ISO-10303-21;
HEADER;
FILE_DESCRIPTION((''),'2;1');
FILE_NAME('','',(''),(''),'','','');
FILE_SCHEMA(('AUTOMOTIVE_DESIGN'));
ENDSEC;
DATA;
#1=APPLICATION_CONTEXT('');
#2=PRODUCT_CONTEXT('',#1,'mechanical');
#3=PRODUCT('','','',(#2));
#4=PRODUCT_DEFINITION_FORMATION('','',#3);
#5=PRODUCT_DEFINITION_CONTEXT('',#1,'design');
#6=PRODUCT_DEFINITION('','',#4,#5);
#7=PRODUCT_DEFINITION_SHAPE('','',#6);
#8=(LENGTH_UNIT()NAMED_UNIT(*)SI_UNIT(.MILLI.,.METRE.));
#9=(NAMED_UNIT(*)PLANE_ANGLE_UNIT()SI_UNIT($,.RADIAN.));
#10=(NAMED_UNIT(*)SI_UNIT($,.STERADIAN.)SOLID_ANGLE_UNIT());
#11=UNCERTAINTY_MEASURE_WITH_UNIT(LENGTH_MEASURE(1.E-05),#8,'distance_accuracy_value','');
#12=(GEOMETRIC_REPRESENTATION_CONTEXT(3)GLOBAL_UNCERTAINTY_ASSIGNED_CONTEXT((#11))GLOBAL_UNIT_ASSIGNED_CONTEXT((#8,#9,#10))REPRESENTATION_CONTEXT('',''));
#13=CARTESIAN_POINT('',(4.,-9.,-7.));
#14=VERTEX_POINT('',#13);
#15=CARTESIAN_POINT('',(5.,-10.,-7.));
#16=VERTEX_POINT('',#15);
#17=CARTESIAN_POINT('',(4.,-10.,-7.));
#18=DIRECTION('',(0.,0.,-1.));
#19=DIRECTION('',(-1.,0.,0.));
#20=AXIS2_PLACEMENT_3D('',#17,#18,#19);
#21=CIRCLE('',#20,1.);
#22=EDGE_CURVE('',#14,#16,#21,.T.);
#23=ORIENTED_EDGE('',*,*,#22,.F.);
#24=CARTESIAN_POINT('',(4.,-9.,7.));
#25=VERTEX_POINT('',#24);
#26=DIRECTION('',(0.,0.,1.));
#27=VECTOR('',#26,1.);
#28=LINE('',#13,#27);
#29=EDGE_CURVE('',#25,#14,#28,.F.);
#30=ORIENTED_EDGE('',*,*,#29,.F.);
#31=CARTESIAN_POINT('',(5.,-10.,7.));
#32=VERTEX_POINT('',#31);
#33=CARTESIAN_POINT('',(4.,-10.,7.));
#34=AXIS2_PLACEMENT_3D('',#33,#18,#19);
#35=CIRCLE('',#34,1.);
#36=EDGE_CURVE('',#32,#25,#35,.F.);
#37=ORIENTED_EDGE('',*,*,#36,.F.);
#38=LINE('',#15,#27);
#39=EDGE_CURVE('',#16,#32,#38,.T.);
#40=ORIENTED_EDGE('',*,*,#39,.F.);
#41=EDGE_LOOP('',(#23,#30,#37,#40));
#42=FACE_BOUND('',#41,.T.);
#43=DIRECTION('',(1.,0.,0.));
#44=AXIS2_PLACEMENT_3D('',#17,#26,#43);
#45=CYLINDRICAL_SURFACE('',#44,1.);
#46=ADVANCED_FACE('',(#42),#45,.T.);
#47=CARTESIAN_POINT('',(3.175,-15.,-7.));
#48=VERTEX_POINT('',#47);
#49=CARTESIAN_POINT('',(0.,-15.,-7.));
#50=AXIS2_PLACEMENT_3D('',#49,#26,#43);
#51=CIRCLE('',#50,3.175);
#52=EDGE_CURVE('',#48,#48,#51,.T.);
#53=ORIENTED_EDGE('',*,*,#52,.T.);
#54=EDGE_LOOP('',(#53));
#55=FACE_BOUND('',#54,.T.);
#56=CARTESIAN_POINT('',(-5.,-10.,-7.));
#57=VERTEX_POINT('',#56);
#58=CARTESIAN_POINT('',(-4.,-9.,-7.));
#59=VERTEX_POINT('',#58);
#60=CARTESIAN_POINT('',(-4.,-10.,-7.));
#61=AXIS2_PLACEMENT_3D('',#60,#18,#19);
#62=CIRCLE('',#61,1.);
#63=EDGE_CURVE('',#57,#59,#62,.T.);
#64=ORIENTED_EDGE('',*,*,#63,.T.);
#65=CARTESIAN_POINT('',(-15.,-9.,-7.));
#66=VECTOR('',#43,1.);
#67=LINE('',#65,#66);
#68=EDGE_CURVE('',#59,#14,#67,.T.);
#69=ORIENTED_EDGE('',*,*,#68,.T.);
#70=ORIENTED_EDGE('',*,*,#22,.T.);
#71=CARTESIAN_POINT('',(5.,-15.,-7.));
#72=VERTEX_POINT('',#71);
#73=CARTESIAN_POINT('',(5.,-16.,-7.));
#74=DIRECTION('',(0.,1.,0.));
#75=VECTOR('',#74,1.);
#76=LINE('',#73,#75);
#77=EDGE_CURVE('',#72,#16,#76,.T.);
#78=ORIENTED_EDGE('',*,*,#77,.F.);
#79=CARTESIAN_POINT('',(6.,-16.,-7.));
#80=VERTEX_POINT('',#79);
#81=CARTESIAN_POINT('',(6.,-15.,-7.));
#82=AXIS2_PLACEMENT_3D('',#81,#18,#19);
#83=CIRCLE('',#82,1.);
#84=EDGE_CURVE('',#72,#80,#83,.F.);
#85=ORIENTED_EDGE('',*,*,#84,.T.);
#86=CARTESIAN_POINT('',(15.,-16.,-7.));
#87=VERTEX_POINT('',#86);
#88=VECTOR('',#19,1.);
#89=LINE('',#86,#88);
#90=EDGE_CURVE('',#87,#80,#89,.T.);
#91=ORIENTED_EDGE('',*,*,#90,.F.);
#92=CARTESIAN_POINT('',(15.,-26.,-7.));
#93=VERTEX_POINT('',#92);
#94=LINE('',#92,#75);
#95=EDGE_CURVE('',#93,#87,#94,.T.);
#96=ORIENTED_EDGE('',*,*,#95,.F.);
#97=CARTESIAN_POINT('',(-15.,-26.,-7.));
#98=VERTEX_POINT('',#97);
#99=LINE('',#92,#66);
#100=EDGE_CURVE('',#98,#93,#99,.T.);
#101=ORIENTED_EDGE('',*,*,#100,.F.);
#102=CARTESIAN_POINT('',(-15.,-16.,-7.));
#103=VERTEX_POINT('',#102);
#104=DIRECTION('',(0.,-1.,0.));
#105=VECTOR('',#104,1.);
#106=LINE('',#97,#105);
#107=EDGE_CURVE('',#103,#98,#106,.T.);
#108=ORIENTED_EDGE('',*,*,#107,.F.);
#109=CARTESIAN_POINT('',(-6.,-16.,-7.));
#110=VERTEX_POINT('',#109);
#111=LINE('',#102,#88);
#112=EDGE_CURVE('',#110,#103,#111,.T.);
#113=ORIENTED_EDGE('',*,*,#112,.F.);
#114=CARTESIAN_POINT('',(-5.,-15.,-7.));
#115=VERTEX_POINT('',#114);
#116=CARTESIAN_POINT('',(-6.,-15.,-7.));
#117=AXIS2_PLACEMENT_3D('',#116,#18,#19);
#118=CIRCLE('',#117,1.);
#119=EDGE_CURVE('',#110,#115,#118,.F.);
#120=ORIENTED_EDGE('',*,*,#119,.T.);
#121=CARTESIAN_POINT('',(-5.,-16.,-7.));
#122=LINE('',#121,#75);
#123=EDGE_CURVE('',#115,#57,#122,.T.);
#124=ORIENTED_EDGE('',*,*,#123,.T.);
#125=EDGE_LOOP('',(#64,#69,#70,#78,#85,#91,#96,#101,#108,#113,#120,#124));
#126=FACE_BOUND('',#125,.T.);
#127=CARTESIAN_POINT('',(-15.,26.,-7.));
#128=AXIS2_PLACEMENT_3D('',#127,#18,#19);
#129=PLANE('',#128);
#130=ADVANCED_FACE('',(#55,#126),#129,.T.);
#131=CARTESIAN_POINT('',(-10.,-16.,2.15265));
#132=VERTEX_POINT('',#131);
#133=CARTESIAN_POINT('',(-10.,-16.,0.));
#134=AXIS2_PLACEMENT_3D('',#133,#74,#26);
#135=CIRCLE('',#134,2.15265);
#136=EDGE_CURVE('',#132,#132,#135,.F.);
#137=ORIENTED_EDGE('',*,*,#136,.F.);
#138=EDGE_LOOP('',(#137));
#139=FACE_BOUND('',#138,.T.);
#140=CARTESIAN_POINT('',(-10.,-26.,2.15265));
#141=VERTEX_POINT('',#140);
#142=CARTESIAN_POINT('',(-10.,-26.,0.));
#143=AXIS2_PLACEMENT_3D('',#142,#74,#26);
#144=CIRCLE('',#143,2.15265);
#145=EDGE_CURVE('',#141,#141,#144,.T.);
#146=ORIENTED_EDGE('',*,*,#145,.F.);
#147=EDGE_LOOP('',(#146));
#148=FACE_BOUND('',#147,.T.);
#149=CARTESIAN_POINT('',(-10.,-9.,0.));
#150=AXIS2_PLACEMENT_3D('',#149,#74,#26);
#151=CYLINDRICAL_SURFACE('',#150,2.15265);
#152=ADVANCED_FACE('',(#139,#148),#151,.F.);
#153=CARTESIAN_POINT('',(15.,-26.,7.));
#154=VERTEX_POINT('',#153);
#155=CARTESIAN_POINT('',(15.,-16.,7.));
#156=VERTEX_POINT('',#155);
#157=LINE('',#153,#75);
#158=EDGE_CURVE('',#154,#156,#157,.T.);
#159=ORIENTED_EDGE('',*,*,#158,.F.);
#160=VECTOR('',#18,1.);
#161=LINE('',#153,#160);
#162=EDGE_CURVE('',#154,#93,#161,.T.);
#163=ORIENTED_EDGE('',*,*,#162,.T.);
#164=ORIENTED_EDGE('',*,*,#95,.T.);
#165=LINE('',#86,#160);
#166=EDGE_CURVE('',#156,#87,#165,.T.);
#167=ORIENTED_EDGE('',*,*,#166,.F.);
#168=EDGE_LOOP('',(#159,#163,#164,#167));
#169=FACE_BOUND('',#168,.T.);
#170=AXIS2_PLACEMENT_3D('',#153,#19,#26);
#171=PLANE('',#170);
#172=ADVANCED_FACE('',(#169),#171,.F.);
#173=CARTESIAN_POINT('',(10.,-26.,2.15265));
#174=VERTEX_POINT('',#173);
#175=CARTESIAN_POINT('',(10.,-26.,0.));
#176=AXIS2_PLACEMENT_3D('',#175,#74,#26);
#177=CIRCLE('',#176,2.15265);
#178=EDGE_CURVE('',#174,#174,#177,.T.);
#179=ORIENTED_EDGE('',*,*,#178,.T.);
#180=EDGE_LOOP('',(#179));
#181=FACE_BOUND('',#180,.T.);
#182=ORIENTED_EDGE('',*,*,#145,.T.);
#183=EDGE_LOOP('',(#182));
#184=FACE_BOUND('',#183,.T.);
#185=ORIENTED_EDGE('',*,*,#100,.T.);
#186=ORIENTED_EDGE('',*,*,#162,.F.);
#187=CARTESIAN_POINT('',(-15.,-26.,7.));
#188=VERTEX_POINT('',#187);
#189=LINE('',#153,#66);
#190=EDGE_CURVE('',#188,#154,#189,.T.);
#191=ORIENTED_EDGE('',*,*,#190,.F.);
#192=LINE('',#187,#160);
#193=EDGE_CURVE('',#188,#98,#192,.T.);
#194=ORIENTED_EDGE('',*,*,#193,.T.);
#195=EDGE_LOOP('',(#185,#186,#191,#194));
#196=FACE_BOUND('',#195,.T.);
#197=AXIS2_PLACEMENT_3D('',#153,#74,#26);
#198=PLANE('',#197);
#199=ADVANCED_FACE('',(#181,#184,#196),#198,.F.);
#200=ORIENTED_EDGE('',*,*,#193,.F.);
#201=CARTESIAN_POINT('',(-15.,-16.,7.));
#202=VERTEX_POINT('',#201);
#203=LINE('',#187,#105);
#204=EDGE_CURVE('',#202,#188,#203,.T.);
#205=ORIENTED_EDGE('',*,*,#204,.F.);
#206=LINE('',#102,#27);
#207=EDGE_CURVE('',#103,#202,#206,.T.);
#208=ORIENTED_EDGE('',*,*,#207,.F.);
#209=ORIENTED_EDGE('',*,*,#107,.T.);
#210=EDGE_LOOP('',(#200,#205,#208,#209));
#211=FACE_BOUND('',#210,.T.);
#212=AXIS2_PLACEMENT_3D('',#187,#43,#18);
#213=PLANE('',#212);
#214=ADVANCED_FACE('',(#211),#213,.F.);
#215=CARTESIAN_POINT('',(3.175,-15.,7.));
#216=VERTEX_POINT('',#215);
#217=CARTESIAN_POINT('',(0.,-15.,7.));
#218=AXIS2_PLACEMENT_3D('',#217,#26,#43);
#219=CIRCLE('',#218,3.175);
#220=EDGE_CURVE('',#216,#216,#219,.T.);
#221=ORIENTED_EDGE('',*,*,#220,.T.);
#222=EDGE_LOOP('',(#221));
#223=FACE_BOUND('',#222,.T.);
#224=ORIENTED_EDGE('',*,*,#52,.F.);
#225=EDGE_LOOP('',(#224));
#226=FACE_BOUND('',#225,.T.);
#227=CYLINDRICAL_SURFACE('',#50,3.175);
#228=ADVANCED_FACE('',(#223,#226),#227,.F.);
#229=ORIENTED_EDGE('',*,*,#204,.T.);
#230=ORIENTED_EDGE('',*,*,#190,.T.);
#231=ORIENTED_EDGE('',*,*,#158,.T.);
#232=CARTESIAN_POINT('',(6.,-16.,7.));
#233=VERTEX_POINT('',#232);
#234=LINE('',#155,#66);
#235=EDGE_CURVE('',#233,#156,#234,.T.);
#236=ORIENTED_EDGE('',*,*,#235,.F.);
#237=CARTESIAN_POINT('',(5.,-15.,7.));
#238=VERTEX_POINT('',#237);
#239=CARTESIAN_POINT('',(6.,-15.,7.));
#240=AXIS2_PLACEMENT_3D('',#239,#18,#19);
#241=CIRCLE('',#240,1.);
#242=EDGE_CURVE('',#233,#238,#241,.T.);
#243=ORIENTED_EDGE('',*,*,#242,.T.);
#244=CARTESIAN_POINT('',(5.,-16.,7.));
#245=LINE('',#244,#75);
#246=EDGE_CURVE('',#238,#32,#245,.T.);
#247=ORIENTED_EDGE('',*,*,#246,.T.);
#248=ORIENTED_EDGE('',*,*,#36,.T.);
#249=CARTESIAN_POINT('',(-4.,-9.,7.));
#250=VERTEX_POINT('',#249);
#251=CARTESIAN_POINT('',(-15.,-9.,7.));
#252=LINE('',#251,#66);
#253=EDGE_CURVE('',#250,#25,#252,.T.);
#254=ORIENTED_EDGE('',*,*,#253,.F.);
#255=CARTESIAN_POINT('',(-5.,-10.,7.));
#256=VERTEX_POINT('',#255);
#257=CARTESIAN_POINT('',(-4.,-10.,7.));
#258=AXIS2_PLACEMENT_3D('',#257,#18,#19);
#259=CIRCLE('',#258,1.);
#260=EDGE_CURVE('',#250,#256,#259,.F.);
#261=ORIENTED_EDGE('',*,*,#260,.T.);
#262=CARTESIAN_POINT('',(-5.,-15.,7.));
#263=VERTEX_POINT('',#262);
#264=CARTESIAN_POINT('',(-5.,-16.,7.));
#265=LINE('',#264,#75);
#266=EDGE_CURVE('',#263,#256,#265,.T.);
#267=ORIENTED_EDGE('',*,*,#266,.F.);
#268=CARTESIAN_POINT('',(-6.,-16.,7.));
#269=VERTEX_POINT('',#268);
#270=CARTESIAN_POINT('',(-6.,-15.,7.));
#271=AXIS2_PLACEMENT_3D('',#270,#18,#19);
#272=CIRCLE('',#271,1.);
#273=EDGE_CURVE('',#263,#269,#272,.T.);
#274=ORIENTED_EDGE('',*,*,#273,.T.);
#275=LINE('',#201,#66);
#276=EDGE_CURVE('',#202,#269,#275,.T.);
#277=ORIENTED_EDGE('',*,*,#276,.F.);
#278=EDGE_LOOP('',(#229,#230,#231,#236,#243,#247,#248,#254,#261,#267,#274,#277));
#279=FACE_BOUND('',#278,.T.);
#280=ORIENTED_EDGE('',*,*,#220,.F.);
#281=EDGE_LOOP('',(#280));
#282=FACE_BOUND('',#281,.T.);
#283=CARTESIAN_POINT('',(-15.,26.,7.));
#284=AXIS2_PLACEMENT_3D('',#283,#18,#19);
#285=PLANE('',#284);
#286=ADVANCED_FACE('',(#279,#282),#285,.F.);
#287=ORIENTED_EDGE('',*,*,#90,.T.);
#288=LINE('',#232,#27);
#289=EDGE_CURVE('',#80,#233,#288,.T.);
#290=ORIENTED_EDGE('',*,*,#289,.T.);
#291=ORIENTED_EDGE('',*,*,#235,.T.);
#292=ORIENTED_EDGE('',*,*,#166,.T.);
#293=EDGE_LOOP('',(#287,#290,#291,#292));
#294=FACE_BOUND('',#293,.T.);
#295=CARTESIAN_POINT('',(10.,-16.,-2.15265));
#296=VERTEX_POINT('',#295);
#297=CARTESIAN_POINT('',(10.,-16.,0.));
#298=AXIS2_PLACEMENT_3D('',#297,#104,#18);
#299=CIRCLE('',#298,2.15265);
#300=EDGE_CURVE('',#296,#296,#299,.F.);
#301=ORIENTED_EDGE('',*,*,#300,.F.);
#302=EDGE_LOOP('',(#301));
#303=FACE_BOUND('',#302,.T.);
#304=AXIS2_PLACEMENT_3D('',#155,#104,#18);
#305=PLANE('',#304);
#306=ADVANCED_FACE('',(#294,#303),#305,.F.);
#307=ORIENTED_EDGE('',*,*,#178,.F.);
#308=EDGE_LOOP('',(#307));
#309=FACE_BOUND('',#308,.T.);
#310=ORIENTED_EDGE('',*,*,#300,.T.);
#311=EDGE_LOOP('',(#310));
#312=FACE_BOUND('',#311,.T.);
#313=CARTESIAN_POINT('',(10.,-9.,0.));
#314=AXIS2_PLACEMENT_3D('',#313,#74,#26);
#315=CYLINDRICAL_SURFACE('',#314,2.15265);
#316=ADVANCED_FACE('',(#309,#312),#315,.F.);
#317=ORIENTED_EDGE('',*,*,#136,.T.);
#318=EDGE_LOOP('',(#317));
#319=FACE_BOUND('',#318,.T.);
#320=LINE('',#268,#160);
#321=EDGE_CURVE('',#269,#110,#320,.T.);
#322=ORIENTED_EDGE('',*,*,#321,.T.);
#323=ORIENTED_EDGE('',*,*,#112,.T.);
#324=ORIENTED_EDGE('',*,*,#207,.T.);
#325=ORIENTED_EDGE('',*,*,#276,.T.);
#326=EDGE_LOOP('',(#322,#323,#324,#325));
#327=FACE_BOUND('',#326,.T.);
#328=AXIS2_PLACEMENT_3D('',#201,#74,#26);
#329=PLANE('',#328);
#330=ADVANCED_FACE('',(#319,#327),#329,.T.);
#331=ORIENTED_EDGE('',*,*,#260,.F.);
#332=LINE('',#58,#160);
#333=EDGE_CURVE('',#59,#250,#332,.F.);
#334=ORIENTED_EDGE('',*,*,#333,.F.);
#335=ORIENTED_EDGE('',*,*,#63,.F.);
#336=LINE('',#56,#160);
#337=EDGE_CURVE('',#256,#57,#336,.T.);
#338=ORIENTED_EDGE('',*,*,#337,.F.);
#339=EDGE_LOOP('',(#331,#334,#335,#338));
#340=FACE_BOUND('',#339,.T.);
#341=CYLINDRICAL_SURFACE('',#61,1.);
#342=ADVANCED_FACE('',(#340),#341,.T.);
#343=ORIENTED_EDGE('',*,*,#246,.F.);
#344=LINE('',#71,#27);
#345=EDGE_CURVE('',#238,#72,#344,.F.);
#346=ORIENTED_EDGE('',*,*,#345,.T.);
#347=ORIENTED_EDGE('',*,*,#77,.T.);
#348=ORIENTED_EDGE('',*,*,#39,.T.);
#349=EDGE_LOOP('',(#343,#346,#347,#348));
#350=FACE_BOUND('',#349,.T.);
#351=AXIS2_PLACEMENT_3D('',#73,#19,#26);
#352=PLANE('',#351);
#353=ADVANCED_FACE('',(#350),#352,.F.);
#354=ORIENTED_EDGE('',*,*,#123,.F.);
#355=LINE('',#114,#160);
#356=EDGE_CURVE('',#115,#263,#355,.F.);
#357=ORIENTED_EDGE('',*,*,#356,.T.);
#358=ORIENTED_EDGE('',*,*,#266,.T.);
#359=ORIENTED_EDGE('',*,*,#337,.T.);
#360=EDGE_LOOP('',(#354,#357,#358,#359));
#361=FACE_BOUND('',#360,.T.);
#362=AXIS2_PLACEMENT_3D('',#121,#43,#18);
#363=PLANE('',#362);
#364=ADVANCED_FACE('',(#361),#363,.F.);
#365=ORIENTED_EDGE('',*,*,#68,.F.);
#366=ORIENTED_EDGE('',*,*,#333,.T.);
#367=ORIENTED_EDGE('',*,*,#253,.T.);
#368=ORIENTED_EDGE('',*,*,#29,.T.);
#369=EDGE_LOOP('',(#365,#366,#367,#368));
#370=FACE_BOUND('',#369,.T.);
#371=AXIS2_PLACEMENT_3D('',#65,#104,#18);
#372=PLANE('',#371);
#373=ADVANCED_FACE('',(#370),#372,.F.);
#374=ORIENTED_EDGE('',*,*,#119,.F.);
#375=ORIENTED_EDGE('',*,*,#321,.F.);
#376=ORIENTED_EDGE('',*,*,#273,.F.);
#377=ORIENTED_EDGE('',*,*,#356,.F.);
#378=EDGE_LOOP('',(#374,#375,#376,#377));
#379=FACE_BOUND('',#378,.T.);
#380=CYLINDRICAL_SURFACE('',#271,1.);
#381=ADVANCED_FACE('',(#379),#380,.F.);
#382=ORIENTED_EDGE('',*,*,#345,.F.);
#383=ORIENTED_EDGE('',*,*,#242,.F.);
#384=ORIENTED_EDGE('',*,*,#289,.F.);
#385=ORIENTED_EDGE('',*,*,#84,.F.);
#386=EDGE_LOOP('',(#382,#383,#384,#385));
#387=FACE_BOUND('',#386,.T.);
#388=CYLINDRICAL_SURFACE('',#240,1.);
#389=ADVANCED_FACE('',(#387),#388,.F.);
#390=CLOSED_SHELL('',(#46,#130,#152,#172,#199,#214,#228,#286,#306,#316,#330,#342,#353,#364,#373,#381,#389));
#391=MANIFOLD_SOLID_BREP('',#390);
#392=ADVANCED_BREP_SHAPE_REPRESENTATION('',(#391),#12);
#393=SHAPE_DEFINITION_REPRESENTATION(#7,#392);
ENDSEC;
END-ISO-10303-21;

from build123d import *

# Parameters (mm, degrees)
SKETCH1_W             = 30
SKETCH1_H             = 52
BASE_EXTRUDE_DEPTH    = 7
SKETCH2_W             = 30
SKETCH2_H             = 35
CUT_EXTRUDE1_DEPTH    = 15
SKETCH3_R             = 3.175
CUT_EXTRUDE2_DEPTH    = 15
F_8_CLEARANCE_HOLE1_D = 4.3053
SKETCH6_W             = 10
SKETCH6_H             = 14
CUT_EXTRUDE3_DEPTH    = 7
FILLET1_R             = 1


with BuildPart() as part:
    # Sketch1 → Base-Extrude (new body, symmetric)
    with BuildSketch(Plane.XY):
        Rectangle(SKETCH1_W, SKETCH1_H)
    extrude(amount=BASE_EXTRUDE_DEPTH, both=True)

    # Sketch2 → Cut-Extrude1 (cut, through all)
    with BuildSketch(Plane.XY.offset(7)):
        with Locations((0, 8.5)):
            Rectangle(SKETCH2_W, SKETCH2_H)
    extrude(amount=-CUT_EXTRUDE1_DEPTH, mode=Mode.SUBTRACT)

    # Sketch3 → Cut-Extrude2 (cut, through all)
    with BuildSketch(Plane.XY.offset(7)):
        with Locations((0, -15)):
            Circle(SKETCH3_R)
    extrude(amount=-CUT_EXTRUDE2_DEPTH, mode=Mode.SUBTRACT)

    # #8 Clearance Hole1 (through all)
    with Locations(Plane(origin=(-8.315488936, -9, -4.532476802), x_dir=(-1, 0, 0), z_dir=(0, 1, 0))):
        with Locations((-18.315488936, 4.532476802), (1.684511064, 4.532476802)):
            Hole(F_8_CLEARANCE_HOLE1_D / 2)

    # Sketch6 → Cut-Extrude3 (cut)
    with BuildSketch(Plane(origin=(0, -9, 0), x_dir=(-1, 0, 0), z_dir=(0, 1, 0))):
        with Locations((10, 0)):
            Rectangle(SKETCH6_W, SKETCH6_H)
        with Locations((-10, 0)):
            Rectangle(SKETCH6_W, SKETCH6_H)
    extrude(amount=-CUT_EXTRUDE3_DEPTH, mode=Mode.SUBTRACT)

    # Fillet1
    fillet1_edges = [part.edges().sort_by_distance(p)[0] for p in [
        (-5, -9, 0),
        (-5, -16, 0),
        (5, -9, 0),
        (5, -16, 0),
    ]]
    fillet(fillet1_edges, radius=FILLET1_R)


solid = part.part
